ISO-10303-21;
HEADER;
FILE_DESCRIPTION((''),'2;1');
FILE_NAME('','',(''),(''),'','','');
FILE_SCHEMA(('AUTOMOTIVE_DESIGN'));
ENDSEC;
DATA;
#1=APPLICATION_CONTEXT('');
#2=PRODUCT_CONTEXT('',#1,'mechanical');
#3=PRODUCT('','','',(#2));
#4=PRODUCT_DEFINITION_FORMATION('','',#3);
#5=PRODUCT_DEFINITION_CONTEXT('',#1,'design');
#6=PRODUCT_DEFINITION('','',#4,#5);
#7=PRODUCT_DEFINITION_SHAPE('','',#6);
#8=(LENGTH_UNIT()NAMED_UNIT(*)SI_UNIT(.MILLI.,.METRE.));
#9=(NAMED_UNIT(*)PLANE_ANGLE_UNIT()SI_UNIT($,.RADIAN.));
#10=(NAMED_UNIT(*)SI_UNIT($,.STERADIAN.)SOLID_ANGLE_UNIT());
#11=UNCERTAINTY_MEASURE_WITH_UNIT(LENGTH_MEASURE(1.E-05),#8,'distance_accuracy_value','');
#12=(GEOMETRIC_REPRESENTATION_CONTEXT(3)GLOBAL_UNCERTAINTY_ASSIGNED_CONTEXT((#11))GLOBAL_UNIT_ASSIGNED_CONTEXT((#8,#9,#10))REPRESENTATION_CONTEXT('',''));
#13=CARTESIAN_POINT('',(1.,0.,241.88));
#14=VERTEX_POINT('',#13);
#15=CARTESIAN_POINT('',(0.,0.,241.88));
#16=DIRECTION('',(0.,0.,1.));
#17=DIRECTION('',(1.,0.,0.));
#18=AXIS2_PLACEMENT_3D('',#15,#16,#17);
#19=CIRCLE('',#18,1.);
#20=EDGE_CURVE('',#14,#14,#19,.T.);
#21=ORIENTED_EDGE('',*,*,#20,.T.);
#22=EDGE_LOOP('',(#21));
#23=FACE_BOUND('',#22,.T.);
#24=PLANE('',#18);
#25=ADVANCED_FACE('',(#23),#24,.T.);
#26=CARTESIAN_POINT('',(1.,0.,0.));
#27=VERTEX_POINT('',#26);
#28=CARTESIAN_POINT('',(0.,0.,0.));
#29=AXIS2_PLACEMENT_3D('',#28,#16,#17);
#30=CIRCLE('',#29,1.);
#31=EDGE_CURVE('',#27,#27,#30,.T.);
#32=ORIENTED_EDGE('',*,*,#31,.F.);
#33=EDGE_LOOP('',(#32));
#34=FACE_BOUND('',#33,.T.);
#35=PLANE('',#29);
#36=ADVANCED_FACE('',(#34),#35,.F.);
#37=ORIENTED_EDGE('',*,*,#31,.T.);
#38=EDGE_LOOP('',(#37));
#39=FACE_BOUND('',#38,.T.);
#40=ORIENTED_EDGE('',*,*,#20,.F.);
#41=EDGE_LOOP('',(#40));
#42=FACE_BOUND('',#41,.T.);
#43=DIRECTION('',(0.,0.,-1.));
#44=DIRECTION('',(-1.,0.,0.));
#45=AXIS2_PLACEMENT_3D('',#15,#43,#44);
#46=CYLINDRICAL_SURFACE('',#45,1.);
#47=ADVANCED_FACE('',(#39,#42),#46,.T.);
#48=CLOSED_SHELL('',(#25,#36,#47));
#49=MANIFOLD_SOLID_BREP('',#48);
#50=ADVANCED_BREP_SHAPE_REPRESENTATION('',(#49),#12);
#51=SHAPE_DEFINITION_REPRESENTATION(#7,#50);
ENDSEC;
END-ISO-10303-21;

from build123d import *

# Parameters (mm, degrees)
SKETCH1_R           = 1
BOSS_EXTRUDE1_DEPTH = 241.88


with BuildPart() as part:
    # Sketch1 → Boss-Extrude1 (new body)
    with BuildSketch(Plane.XY):
        Circle(SKETCH1_R)
    extrude(amount=BOSS_EXTRUDE1_DEPTH)


solid = part.part
